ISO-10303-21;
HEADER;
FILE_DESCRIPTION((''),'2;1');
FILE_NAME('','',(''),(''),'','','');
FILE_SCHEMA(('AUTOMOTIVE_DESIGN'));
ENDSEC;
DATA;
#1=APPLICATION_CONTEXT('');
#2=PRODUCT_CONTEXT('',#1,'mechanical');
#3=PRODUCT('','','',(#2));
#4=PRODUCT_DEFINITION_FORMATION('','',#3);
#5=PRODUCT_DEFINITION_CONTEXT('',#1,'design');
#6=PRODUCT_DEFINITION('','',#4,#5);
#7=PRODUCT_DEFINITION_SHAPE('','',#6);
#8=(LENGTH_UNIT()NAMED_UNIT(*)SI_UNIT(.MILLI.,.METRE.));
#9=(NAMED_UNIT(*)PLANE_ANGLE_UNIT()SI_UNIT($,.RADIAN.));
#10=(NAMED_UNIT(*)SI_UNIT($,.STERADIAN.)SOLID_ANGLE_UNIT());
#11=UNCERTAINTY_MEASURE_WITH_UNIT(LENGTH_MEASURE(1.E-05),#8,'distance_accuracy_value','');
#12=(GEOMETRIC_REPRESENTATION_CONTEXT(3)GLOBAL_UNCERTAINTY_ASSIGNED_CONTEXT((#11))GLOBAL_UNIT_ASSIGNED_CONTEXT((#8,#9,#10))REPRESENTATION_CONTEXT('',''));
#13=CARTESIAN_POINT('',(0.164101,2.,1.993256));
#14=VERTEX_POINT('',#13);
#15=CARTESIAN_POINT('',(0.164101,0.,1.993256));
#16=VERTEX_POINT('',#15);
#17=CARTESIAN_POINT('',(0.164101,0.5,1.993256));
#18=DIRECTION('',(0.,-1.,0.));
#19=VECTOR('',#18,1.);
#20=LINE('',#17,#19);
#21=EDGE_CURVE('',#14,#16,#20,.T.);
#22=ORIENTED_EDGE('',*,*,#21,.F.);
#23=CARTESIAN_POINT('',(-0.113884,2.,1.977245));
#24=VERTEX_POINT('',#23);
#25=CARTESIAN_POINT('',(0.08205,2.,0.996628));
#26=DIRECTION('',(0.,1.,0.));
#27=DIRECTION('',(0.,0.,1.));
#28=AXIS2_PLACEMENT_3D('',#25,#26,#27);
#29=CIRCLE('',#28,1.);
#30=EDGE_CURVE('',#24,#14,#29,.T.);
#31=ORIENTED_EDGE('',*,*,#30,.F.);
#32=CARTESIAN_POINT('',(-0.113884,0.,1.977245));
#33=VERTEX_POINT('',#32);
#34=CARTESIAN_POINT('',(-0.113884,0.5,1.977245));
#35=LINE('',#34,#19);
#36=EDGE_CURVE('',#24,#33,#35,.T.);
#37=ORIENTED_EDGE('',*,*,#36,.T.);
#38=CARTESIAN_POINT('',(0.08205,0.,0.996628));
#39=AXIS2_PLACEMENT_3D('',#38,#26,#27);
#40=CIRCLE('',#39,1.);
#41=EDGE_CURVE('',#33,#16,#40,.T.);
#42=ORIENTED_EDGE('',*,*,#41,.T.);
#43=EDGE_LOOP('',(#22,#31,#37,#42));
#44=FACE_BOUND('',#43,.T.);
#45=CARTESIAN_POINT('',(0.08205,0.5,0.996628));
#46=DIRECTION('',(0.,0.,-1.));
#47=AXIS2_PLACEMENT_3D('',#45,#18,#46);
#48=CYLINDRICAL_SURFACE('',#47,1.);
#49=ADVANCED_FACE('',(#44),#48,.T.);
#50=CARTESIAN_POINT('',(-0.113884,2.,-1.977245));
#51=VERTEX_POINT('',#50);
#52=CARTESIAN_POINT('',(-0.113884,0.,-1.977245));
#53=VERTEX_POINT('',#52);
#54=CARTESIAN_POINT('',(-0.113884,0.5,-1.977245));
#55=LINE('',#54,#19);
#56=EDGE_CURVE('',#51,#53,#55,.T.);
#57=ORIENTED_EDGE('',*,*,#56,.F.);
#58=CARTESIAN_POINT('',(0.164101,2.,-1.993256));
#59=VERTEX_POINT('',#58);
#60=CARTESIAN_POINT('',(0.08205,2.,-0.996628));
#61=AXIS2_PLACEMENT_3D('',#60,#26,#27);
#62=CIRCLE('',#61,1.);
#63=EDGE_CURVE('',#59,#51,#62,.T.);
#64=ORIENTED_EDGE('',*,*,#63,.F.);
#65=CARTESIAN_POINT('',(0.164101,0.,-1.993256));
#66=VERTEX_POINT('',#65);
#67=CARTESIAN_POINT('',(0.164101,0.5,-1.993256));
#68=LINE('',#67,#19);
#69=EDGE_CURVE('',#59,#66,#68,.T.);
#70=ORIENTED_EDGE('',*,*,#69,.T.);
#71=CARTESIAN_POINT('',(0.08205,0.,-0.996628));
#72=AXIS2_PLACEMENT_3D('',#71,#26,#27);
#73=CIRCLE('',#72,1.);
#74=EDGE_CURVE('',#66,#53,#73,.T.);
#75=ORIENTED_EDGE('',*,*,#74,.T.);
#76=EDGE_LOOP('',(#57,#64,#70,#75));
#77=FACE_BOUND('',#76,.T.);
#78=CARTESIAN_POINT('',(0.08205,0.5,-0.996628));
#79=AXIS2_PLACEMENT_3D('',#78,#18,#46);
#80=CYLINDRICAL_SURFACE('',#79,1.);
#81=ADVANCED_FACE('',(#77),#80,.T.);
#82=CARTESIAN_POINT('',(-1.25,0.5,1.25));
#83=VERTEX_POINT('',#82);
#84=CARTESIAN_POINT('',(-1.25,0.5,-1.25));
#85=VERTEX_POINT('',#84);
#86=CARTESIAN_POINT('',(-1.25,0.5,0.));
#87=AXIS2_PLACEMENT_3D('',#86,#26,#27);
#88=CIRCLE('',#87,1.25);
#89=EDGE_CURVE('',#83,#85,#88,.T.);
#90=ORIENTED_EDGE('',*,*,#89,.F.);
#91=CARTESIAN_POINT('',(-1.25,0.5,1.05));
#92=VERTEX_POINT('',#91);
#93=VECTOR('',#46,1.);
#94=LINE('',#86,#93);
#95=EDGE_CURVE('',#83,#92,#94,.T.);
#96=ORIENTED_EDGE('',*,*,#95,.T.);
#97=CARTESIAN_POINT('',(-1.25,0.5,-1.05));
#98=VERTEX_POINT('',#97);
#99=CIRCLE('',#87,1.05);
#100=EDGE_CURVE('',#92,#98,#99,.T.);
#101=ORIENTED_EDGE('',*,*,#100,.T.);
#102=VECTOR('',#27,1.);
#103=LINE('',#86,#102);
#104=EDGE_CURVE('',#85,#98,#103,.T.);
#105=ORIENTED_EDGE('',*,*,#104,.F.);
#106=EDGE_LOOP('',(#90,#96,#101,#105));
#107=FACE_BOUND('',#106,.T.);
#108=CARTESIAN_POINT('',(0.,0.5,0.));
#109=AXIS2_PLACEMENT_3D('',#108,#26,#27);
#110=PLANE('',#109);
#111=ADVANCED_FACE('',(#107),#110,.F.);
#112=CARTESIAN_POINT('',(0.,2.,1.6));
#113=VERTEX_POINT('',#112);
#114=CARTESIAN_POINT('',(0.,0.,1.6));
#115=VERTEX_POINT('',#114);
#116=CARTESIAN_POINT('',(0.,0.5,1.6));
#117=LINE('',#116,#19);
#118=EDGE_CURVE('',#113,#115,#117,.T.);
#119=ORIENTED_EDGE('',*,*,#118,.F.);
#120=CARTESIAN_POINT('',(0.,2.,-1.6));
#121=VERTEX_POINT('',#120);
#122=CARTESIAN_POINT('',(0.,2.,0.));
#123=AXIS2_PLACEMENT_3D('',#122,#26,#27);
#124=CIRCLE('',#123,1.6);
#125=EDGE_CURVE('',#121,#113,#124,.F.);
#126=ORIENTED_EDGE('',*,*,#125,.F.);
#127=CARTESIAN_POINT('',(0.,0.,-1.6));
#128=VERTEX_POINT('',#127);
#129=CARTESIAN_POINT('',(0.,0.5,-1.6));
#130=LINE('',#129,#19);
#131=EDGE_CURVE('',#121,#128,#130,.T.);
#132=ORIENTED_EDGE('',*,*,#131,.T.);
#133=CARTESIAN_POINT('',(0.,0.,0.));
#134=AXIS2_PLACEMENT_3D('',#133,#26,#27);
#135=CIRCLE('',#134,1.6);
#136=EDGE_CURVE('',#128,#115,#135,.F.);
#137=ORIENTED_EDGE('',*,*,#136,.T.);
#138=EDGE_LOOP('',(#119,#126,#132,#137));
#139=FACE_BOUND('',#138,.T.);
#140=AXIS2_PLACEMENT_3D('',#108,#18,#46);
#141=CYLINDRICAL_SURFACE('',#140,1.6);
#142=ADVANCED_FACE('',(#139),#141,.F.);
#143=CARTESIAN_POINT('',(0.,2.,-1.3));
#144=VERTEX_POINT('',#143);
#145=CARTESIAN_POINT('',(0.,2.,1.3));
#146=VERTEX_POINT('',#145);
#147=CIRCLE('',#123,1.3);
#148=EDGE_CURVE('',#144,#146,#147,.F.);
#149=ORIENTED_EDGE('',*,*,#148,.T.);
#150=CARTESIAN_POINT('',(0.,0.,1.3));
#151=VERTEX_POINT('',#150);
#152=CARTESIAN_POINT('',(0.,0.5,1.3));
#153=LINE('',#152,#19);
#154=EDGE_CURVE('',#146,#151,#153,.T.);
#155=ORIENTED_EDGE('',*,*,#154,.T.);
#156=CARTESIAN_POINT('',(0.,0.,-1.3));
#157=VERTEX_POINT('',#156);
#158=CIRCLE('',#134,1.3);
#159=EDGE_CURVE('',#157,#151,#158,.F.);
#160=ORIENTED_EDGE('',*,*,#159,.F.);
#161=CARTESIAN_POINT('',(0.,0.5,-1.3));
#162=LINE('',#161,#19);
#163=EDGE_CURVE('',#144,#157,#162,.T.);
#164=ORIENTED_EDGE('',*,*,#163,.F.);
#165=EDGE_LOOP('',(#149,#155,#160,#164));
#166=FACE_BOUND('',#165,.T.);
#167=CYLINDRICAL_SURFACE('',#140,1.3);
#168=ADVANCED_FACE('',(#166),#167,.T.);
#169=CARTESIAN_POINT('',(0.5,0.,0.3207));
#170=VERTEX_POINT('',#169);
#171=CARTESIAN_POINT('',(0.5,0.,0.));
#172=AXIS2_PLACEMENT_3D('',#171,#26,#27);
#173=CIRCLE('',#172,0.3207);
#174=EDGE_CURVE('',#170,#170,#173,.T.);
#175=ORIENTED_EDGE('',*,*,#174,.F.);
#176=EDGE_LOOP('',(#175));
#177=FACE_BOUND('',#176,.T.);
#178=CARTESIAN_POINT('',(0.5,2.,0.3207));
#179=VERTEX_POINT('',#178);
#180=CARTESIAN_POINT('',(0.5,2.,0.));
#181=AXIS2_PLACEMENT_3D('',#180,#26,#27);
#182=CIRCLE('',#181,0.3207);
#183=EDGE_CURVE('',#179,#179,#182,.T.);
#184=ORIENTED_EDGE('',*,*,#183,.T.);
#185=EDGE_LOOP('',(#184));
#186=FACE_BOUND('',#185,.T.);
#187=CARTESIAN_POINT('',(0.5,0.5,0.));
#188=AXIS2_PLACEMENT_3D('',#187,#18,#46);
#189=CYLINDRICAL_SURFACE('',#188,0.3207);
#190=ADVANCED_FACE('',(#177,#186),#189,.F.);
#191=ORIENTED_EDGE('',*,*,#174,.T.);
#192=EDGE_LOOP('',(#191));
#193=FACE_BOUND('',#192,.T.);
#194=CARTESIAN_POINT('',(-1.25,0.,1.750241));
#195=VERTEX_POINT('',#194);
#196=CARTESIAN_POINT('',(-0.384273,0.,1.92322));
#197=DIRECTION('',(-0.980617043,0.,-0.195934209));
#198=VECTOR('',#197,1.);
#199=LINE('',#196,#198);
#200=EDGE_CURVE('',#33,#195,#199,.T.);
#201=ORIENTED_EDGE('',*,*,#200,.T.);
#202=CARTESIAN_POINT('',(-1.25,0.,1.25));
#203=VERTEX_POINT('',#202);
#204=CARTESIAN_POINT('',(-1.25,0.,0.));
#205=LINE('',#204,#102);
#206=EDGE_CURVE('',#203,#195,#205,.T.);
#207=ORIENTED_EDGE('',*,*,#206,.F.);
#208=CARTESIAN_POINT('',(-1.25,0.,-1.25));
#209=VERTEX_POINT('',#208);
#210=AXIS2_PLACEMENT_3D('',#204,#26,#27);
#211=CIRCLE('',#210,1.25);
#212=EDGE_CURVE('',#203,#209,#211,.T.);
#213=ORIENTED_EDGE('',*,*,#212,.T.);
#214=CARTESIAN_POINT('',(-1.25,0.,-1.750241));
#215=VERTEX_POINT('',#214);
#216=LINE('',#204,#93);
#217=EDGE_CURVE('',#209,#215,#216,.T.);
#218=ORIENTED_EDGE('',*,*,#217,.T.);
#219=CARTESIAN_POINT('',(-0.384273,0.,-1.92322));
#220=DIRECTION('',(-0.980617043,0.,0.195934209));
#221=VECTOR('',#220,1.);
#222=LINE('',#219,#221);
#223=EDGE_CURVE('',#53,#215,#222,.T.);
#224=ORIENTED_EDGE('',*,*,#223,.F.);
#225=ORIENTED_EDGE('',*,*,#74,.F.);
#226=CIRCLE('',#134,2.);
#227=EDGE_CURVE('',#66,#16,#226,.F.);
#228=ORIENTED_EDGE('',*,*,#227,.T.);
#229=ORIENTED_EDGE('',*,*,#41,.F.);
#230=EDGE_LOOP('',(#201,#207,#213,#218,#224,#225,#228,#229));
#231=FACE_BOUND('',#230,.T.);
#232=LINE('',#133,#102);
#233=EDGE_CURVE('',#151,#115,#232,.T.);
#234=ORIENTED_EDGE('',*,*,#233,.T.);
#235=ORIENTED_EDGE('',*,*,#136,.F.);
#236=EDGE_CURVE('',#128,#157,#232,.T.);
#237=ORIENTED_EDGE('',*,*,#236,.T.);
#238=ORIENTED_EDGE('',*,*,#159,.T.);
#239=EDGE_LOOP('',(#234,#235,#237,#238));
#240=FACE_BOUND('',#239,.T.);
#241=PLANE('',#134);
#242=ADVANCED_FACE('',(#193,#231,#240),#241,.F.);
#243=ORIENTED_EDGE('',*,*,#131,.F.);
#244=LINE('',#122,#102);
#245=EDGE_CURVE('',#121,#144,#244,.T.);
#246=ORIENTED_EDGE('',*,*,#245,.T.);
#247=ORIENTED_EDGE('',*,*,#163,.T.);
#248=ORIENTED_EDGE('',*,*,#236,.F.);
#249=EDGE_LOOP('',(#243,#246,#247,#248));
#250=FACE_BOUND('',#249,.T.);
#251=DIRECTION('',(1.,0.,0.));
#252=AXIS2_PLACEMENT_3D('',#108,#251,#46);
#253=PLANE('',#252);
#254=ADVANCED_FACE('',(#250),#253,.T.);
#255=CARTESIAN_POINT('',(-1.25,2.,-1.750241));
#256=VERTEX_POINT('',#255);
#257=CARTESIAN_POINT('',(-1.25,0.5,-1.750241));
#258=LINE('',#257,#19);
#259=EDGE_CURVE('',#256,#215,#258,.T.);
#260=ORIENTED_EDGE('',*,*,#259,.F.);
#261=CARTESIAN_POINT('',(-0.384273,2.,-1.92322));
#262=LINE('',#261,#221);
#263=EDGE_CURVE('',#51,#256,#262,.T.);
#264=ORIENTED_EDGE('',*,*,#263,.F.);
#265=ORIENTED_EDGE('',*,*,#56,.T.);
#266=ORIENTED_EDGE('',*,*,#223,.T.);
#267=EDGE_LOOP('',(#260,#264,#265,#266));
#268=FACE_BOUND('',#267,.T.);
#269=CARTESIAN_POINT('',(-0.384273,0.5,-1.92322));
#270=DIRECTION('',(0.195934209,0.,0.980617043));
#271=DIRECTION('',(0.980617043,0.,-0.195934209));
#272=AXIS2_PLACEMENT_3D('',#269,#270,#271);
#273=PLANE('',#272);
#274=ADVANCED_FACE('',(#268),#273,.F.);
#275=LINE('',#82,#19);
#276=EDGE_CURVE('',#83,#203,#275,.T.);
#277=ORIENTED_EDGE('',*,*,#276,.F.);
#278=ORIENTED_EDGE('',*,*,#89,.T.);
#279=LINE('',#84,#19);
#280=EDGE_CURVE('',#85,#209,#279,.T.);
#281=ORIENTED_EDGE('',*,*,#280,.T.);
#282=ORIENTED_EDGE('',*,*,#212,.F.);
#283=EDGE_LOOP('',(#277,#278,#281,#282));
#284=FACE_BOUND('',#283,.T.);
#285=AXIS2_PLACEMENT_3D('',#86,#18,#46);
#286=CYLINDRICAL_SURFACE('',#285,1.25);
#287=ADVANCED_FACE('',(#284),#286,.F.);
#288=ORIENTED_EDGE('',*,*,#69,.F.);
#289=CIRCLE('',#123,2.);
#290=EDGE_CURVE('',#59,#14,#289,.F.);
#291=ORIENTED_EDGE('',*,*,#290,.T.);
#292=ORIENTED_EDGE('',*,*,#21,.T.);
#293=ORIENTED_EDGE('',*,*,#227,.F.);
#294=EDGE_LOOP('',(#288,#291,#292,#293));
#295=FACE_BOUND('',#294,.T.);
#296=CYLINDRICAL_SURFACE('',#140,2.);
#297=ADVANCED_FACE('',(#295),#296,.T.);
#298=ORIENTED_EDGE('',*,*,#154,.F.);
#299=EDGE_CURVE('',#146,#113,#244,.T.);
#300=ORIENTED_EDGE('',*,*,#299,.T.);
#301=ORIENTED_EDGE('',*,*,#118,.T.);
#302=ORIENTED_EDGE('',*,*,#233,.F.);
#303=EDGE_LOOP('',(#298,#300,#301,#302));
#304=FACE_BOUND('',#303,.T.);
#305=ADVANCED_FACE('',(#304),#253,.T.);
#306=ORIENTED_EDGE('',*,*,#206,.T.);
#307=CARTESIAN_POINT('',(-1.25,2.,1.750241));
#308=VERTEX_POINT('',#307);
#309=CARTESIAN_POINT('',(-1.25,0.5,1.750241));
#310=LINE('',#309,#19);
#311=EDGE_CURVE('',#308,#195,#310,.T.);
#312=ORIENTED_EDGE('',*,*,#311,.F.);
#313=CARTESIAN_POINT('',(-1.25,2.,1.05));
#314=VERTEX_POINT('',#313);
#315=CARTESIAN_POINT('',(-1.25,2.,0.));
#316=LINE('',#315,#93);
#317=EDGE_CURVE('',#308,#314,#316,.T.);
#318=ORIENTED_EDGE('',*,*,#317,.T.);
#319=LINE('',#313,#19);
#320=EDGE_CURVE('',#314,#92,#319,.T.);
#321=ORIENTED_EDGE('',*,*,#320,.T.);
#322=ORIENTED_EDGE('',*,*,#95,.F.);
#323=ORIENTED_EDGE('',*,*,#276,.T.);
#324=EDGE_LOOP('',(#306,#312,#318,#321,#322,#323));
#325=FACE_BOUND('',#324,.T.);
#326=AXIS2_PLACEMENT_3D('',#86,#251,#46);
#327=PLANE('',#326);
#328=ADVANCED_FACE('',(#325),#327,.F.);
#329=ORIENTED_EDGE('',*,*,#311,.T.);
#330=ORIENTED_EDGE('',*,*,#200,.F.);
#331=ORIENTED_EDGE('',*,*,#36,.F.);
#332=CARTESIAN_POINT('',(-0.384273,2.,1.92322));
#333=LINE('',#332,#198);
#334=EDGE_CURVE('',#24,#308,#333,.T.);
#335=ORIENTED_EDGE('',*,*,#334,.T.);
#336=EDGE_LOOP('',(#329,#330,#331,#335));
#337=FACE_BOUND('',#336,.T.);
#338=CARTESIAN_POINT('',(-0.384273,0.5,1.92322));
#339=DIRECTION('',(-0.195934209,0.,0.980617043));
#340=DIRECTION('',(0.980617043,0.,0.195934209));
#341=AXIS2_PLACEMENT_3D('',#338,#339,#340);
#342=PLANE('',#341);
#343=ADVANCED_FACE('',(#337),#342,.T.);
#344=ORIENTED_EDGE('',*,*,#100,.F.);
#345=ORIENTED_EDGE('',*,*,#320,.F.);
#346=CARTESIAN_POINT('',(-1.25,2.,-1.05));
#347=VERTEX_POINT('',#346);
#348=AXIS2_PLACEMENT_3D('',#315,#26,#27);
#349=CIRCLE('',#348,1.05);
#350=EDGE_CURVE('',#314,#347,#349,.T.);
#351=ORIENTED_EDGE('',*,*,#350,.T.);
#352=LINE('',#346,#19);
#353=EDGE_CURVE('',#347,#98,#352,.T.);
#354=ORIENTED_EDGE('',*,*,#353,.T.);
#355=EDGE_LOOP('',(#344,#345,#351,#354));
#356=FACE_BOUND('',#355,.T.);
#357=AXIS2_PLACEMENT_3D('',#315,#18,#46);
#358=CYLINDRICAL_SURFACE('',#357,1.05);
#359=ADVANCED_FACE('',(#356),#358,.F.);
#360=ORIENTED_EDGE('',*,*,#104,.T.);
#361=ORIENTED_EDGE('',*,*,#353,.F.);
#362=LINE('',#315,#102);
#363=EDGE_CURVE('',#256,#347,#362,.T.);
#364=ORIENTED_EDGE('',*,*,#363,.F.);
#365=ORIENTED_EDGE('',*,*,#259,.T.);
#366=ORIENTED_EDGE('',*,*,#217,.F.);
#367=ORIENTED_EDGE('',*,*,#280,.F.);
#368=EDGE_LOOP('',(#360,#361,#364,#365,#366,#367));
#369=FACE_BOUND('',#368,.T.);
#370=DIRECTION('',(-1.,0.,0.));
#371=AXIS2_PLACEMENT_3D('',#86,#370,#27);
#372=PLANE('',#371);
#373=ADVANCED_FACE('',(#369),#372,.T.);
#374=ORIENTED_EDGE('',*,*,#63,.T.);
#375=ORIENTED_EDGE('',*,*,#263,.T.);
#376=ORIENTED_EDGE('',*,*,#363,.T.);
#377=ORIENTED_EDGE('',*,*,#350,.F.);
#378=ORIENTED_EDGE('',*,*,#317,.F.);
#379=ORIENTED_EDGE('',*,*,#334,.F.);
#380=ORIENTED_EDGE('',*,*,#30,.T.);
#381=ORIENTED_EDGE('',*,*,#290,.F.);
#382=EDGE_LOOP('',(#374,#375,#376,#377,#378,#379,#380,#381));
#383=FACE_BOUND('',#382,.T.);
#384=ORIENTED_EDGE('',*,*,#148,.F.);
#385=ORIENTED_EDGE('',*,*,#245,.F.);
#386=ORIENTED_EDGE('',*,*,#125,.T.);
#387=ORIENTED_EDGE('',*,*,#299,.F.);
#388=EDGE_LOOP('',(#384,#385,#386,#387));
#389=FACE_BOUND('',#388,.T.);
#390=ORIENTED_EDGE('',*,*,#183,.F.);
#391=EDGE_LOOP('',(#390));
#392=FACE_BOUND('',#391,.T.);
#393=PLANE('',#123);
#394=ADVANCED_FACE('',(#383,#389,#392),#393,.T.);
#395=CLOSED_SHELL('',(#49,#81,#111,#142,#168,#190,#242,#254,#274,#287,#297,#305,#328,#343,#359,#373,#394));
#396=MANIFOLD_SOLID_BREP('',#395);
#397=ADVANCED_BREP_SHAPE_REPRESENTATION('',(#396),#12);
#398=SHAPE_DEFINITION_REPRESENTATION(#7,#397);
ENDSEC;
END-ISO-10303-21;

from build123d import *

# Parameters (mm, degrees)
SKETCH1_R           = 0.3207
BOSS_EXTRUDE1_DEPTH = 0.5
BOSS_EXTRUDE2_START = 0.5
SKETCH1_20_R        = 0.3207
BOSS_EXTRUDE2_DEPTH = 1.5


with BuildPart() as part:
    # Sketch1 → Boss-Extrude1 (new body)
    with BuildSketch(Plane(origin=(0, 0, 0), x_dir=(1, 0, 0), z_dir=(0, 1, 0))):
        with BuildLine():
            ThreePointArc((0.1641009, 1.993256355), (0.024548565, 1.994973575), (-0.113883759, 1.977245221))
            Line((-0.113883759, 1.977245221), (-1.25, 1.750241174))
            Line((-1.25, 1.750241174), (-1.25, 1.25))
            ThreePointArc((-1.25, 1.25), (-0.366116524, 0.883883476), (0, 0))
            ThreePointArc((0, 0), (-0.366116524, -0.883883476), (-1.25, -1.25))
            Line((-1.25, -1.25), (-1.25, -1.750241174))
            Line((-1.25, -1.750241174), (-0.11388376, -1.977245221))
            ThreePointArc((-0.11388376, -1.977245221), (0.024548564, -1.994973575), (0.164100898, -1.993256355))
            ThreePointArc((0.164100898, -1.993256355), (2, -1e-09), (0.1641009, 1.993256355))
        make_face()
        with Locations((0.5, 0)):
            Circle(SKETCH1_R, mode=Mode.SUBTRACT)
        with BuildLine():
            Line((0, 1.3), (0, 1.6))
            ThreePointArc((0, 1.6), (1.6, 0), (0, -1.6))
            Line((0, -1.6), (0, -1.3))
            ThreePointArc((0, -1.3), (1.3, 0), (0, 1.3))
        make_face(mode=Mode.SUBTRACT)
    extrude(amount=BOSS_EXTRUDE1_DEPTH)

    # Sketch1<20> → Boss-Extrude2 (add)
    with BuildSketch(Plane(origin=(0, 0, 0), x_dir=(1, 0, 0), z_dir=(0, 1, 0)).offset(BOSS_EXTRUDE2_START)):
        with BuildLine():
            ThreePointArc((0.1641009, 1.993256355), (0.024548565, 1.994973575), (-0.113883759, 1.977245221))
            Line((-0.113883759, 1.977245221), (-1.25, 1.750241174))
            Line((-1.25, 1.750241174), (-1.25, 1.05))
            ThreePointArc((-1.25, 1.05), (-0.2, 0), (-1.25, -1.05))
            Line((-1.25, -1.05), (-1.25, -1.750241174))
            Line((-1.25, -1.750241174), (-0.11388376, -1.977245221))
            ThreePointArc((-0.11388376, -1.977245221), (0.024548564, -1.994973575), (0.164100898, -1.993256355))
            ThreePointArc((0.164100898, -1.993256355), (2, -1e-09), (0.1641009, 1.993256355))
        make_face()
        with Locations((0.5, 0)):
            Circle(SKETCH1_20_R, mode=Mode.SUBTRACT)
        with BuildLine():
            Line((0, 1.3), (0, 1.6))
            ThreePointArc((0, 1.6), (1.6, 0), (0, -1.6))
            Line((0, -1.6), (0, -1.3))
            ThreePointArc((0, -1.3), (1.3, 0), (0, 1.3))
        make_face(mode=Mode.SUBTRACT)
    extrude(amount=BOSS_EXTRUDE2_DEPTH)


solid = part.part
